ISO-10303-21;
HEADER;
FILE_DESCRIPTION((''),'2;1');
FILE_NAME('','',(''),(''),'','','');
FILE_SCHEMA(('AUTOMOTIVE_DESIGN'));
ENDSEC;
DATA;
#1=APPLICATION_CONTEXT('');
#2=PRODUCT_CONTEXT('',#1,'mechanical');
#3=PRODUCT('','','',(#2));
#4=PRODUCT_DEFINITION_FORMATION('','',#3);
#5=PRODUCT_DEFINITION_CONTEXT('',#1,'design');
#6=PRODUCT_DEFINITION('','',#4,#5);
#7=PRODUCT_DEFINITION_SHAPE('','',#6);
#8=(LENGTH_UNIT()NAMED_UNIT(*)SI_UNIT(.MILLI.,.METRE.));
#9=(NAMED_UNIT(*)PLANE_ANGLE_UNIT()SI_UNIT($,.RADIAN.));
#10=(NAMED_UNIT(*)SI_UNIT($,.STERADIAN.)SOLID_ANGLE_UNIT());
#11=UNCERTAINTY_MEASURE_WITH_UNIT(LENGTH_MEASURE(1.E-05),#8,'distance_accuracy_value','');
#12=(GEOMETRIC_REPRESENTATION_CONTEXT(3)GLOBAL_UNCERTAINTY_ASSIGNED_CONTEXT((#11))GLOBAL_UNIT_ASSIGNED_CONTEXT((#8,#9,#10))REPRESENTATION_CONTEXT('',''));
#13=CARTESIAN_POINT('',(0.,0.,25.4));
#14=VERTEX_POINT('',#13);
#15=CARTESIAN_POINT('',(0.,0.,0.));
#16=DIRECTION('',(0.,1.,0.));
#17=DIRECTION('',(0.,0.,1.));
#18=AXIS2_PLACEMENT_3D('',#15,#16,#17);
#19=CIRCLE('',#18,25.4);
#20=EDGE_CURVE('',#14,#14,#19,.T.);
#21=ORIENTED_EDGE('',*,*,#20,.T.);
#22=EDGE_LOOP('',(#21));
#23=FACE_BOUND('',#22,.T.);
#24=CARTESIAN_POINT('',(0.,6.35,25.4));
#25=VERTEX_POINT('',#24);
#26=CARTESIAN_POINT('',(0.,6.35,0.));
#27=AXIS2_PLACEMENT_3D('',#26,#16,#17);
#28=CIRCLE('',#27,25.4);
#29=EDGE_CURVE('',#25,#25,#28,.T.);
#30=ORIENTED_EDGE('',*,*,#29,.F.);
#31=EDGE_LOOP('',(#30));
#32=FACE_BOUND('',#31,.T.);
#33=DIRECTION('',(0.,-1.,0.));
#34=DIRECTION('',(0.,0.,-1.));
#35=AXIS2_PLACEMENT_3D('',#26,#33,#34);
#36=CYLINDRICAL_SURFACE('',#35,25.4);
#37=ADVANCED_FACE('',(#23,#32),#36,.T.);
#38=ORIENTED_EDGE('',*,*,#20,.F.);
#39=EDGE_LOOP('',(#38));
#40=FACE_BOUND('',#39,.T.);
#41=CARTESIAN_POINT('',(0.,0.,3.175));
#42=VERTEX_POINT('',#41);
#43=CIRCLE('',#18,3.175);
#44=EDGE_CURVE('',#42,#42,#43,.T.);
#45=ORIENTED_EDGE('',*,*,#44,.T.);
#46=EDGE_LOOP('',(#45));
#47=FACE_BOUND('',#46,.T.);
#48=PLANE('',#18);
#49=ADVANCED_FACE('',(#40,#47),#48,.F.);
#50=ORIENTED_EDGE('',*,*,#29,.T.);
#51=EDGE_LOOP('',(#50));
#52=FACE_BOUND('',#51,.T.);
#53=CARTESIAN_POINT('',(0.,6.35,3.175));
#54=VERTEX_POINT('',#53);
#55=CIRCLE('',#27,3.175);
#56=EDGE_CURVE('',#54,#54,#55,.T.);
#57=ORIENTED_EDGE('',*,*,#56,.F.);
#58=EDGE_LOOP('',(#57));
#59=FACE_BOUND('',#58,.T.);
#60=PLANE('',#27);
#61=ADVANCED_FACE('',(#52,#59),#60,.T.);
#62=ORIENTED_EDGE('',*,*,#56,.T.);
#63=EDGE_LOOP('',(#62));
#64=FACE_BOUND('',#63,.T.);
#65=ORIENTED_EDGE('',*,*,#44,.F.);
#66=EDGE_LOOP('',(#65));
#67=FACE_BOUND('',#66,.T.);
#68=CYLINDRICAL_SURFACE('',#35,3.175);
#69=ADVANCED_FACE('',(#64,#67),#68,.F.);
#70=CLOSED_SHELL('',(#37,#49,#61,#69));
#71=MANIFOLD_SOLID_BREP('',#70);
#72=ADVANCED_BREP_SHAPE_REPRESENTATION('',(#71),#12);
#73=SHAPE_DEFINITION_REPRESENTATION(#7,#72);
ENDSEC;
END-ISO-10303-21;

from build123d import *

# Parameters (mm, degrees)
SKETCH1_R           = 25.4
SKETCH1_R_2         = 3.175
BOSS_EXTRUDE1_DEPTH = 6.35


with BuildPart() as part:
    # Sketch1 → Boss-Extrude1 (new body)
    with BuildSketch(Plane(origin=(0, 0, 0), x_dir=(1, 0, 0), z_dir=(0, 1, 0))):
        Circle(SKETCH1_R)
        Circle(SKETCH1_R_2, mode=Mode.SUBTRACT)
    extrude(amount=BOSS_EXTRUDE1_DEPTH)


solid = part.part
